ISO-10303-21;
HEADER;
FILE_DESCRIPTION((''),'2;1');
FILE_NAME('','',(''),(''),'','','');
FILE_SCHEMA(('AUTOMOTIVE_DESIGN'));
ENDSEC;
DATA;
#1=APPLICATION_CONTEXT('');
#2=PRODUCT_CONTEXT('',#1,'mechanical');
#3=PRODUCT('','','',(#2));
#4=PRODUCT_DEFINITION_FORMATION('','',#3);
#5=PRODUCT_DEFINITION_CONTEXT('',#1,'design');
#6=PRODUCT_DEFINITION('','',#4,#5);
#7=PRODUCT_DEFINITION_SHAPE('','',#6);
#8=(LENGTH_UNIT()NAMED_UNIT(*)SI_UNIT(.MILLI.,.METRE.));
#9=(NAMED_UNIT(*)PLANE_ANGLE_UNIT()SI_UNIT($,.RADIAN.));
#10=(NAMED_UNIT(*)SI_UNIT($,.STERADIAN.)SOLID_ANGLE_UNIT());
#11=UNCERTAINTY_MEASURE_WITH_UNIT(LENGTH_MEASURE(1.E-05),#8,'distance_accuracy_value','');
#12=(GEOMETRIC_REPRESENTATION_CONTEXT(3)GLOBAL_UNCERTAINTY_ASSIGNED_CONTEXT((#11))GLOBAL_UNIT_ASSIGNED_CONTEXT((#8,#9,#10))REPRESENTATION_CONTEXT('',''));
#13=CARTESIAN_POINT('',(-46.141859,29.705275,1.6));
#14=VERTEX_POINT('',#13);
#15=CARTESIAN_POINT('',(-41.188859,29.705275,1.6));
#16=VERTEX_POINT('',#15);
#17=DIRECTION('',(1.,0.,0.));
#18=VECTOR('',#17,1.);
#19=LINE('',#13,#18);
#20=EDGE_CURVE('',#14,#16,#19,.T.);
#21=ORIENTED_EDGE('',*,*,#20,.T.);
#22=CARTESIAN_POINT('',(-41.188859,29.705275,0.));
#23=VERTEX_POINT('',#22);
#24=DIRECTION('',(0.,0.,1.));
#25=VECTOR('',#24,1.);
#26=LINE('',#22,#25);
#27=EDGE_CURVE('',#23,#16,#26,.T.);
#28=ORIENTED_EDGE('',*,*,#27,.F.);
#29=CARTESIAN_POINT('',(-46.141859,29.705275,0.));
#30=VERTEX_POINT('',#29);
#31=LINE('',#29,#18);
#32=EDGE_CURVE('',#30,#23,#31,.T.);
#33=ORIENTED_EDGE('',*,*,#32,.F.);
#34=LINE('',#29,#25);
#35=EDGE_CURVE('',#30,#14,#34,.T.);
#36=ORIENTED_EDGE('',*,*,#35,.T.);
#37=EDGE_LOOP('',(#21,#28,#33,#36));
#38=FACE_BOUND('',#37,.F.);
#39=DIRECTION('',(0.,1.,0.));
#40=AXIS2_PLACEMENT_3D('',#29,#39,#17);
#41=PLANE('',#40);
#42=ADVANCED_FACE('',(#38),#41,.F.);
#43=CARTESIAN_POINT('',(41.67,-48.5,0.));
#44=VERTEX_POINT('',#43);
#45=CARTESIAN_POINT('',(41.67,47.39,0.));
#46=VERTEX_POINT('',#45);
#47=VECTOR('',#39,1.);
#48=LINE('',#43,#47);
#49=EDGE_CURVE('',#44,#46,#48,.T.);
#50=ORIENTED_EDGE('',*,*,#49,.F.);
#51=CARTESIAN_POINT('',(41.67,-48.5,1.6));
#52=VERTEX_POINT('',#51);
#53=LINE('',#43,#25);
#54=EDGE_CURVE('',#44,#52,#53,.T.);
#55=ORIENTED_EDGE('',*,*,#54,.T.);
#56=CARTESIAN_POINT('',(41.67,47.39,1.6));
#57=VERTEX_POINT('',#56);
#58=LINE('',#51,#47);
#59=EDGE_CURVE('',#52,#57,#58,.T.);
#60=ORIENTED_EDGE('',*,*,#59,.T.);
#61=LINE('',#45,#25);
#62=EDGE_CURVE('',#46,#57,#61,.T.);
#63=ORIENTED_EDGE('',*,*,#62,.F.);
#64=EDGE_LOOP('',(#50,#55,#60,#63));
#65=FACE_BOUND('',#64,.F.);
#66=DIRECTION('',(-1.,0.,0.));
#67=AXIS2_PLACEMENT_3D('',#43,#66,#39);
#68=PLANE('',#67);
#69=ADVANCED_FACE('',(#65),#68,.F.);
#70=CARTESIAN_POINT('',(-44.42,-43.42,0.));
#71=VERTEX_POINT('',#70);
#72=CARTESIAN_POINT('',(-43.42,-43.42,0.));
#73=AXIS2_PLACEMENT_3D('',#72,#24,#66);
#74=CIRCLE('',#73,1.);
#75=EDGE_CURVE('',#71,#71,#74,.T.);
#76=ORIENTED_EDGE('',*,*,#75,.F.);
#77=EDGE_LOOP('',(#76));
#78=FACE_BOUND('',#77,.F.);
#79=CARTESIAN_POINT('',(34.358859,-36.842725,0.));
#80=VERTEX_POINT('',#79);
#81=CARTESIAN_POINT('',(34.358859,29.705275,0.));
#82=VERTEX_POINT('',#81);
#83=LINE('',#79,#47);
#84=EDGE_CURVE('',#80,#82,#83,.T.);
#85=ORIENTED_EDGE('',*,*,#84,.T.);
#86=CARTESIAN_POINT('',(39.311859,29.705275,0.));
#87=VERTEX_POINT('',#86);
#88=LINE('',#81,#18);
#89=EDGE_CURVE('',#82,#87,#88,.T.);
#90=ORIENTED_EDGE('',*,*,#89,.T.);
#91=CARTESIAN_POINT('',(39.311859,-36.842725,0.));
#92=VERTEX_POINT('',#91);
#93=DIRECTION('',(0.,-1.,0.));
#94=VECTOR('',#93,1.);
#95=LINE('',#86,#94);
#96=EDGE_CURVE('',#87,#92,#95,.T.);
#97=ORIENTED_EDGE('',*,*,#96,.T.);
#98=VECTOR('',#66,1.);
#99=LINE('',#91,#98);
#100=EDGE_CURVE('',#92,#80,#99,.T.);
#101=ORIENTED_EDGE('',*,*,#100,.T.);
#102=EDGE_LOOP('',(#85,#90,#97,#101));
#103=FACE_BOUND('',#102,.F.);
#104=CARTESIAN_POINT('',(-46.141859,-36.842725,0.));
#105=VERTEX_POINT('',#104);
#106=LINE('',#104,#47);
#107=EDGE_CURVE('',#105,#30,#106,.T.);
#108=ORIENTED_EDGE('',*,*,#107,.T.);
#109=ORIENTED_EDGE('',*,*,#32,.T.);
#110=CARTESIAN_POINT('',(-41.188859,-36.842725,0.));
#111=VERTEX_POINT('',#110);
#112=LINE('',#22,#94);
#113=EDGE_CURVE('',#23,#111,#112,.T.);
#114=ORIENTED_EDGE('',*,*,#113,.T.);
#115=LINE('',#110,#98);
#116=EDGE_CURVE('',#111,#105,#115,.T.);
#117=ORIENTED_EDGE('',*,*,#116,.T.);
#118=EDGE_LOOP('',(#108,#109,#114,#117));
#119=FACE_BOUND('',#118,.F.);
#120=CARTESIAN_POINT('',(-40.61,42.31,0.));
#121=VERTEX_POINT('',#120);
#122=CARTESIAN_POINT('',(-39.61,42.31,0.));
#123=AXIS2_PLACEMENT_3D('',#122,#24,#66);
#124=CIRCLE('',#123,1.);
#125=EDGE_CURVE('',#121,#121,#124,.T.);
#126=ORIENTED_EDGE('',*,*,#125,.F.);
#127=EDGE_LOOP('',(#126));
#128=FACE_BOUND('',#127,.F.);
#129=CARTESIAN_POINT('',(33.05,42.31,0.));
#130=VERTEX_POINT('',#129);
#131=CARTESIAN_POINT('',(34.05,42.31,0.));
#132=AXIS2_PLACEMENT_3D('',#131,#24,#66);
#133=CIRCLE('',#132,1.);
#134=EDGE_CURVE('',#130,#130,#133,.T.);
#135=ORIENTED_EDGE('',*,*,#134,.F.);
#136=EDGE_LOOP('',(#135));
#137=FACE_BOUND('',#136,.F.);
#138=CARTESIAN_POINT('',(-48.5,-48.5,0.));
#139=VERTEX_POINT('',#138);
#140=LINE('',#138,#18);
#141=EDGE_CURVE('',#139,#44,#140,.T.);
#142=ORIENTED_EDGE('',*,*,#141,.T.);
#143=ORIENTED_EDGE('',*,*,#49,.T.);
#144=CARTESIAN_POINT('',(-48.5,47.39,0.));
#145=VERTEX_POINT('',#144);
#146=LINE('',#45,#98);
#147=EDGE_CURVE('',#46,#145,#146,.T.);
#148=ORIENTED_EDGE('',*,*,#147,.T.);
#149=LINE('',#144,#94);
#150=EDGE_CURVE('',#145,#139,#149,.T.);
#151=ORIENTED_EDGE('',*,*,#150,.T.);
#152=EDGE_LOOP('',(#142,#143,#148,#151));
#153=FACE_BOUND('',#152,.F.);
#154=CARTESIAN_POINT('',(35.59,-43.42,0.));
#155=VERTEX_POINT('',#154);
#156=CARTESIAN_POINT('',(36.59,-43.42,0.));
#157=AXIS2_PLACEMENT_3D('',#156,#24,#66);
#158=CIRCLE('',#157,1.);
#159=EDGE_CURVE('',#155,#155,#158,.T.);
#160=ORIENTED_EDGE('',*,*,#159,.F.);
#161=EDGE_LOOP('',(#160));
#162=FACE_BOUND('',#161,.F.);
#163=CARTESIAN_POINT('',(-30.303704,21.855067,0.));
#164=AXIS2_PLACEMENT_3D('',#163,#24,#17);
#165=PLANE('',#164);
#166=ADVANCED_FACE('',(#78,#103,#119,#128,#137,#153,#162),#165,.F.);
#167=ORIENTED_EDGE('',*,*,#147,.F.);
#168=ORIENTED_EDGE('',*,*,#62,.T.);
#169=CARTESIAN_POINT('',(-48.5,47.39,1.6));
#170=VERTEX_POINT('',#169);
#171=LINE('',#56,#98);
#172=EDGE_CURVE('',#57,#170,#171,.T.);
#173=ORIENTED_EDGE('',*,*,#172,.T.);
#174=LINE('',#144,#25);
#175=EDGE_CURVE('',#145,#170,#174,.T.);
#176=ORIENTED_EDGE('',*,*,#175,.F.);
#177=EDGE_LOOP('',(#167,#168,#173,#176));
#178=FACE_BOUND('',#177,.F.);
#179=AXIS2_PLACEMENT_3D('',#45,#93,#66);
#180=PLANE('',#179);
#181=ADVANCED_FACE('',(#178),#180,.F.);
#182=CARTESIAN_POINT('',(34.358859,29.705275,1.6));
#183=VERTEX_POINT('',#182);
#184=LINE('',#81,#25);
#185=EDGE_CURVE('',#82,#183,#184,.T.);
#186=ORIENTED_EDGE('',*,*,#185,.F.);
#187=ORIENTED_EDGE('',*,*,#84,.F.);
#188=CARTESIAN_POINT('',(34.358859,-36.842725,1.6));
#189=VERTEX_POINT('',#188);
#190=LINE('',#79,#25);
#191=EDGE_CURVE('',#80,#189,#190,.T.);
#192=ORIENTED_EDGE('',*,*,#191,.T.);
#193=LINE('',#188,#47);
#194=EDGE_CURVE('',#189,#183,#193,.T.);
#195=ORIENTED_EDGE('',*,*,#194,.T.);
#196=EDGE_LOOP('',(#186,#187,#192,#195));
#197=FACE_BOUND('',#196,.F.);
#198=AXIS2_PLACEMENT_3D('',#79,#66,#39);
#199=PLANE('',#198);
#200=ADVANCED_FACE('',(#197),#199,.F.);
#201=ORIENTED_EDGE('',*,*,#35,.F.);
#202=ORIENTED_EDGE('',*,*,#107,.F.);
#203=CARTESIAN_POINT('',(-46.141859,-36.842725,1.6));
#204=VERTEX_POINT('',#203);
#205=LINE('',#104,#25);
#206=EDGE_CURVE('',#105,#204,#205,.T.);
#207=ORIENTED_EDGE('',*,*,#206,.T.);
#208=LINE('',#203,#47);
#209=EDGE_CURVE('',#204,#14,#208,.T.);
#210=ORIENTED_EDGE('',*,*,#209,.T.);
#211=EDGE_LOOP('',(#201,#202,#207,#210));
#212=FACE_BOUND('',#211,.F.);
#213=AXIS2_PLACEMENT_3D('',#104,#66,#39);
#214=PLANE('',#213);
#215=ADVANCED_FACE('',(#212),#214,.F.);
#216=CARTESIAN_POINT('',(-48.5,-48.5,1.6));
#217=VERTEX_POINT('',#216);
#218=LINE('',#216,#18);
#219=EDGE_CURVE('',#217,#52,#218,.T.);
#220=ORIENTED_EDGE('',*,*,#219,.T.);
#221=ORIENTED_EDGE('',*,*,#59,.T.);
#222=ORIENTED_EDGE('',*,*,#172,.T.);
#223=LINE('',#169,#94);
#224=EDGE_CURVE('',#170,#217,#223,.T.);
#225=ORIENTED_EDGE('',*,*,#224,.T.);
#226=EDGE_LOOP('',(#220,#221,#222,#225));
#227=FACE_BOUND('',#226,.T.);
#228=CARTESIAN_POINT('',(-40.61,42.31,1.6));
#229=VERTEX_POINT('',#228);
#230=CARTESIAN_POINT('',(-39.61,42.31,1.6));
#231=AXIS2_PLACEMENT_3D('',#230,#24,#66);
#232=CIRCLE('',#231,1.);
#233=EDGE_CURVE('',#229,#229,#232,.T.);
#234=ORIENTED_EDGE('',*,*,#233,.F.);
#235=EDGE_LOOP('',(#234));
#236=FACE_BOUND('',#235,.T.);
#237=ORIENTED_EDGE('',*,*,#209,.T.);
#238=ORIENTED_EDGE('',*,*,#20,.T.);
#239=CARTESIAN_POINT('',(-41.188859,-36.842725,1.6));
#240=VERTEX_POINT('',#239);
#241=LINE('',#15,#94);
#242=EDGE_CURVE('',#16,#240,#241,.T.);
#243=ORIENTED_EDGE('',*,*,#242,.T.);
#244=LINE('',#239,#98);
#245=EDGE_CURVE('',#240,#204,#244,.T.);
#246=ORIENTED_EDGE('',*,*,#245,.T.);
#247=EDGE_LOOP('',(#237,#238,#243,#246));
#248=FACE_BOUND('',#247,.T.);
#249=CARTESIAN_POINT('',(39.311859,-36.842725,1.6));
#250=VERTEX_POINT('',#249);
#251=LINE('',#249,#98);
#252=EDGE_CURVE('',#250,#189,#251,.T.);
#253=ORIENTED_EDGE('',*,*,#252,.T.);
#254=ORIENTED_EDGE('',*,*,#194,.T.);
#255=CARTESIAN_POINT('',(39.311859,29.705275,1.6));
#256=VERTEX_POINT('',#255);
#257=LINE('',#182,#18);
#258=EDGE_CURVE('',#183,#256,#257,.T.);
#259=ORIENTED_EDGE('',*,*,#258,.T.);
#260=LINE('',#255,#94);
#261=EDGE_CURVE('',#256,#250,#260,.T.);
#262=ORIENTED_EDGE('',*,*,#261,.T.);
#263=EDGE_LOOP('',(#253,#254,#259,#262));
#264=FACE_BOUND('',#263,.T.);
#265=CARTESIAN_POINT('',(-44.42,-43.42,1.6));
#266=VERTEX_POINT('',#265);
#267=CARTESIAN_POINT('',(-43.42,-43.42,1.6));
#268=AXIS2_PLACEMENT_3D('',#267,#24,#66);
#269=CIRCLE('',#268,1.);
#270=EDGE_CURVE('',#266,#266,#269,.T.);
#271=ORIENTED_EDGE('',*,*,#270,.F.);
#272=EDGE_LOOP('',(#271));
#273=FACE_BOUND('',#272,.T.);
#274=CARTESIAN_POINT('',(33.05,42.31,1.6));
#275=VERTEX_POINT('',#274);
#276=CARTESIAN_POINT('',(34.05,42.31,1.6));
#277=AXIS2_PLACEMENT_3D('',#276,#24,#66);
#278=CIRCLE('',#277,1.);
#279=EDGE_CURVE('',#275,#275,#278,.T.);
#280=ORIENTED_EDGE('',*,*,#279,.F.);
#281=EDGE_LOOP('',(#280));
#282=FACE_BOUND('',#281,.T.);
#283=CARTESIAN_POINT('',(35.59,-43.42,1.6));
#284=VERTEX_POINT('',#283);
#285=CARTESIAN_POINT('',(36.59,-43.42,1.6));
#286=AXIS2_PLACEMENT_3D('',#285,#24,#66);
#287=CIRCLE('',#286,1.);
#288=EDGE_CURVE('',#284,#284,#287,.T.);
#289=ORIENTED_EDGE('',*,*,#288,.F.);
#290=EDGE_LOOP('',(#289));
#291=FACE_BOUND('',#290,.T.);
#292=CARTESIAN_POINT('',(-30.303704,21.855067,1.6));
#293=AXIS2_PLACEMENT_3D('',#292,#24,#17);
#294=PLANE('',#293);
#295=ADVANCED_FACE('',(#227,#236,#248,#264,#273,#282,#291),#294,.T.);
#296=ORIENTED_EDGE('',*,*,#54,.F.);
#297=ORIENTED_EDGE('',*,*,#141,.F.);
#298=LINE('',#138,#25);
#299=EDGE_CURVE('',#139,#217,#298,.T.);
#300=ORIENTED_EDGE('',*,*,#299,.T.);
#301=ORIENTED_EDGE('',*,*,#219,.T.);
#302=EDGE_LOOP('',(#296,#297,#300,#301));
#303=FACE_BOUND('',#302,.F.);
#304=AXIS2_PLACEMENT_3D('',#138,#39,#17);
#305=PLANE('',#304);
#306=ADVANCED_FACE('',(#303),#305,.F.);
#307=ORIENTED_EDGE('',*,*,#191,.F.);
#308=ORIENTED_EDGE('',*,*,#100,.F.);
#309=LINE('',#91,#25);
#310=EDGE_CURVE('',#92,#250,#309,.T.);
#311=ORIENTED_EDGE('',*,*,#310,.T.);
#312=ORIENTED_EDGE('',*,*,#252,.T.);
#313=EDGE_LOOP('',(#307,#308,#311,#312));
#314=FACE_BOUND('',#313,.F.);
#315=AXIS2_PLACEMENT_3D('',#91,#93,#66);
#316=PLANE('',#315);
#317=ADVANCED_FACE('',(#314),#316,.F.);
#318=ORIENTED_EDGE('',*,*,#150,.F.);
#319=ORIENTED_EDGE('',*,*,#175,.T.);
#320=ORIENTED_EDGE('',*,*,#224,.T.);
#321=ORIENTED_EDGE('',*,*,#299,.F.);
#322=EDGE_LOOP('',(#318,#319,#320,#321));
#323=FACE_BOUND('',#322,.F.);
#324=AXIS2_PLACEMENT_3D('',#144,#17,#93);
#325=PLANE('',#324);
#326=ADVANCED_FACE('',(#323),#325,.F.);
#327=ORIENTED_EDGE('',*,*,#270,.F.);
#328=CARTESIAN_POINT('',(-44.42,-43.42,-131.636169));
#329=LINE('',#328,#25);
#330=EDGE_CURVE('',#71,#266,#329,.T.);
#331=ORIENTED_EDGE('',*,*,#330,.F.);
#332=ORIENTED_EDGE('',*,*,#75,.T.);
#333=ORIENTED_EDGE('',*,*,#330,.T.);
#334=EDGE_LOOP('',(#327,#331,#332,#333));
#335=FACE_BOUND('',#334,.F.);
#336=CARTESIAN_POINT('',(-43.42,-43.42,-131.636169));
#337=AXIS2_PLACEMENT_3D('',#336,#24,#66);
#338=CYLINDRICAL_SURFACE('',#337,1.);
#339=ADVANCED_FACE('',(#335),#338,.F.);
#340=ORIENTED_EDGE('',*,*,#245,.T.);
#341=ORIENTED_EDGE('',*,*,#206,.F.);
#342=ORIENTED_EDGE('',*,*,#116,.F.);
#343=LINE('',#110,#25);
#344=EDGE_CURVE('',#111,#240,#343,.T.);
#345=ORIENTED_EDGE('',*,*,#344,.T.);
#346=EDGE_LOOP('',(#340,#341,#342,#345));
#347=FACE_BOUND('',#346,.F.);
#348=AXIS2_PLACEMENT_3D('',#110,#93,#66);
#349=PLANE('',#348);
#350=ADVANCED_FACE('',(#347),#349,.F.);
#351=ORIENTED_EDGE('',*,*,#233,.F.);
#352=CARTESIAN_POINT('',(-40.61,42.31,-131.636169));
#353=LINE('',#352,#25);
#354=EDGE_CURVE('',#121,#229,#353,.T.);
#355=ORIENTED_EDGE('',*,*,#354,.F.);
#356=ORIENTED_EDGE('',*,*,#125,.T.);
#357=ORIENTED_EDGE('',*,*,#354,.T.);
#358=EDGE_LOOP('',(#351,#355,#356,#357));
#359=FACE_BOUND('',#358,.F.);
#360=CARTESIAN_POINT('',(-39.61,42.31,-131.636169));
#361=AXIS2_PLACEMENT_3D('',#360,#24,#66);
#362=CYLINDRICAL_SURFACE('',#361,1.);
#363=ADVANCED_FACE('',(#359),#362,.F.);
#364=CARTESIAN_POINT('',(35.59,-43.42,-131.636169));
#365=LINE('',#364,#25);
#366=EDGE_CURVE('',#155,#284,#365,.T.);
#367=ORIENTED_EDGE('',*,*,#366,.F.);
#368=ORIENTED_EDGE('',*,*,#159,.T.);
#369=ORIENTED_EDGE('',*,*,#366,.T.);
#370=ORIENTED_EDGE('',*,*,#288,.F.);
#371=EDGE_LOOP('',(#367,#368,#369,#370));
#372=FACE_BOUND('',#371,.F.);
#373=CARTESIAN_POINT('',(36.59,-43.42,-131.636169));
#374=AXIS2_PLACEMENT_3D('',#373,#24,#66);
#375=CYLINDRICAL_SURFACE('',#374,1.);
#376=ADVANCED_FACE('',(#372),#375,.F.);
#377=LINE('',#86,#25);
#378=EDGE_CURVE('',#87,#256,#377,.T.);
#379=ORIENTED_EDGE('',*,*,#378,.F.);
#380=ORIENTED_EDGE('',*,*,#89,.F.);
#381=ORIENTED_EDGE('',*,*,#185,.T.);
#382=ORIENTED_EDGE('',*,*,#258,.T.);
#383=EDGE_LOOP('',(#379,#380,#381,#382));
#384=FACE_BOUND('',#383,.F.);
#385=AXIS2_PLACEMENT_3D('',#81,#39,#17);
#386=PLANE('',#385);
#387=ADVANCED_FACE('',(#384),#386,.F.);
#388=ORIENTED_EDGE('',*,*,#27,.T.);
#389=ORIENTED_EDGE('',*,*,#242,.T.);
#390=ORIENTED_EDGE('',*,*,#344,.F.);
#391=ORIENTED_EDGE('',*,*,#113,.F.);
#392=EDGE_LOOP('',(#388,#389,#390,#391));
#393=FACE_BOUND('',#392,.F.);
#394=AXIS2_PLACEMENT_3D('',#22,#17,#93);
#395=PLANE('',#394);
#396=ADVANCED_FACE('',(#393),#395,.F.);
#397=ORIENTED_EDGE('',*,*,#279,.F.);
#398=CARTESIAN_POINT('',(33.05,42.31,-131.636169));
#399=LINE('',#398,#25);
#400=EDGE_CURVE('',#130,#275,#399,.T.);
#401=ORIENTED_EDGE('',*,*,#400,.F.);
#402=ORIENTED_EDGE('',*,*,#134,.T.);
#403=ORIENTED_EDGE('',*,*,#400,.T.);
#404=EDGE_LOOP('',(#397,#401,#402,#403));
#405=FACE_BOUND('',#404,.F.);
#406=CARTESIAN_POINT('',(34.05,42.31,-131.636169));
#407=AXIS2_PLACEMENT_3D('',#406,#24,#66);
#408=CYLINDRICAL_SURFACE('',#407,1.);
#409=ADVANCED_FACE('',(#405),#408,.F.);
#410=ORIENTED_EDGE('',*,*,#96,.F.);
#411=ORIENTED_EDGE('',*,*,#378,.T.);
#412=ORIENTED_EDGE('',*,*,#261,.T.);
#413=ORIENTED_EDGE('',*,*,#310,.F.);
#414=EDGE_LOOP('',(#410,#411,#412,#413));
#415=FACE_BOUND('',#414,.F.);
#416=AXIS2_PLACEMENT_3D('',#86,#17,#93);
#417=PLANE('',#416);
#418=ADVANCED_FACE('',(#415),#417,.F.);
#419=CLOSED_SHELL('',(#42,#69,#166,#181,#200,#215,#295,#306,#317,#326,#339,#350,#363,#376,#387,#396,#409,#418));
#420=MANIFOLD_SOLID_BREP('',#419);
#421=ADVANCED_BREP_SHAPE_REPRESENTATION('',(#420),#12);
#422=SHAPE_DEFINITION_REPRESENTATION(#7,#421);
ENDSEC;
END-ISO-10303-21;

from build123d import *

# Parameters (mm, degrees)
F1_DEPTH = 1.6
F2_D     = 2


with BuildPart() as f1:
    # F0 (on Top) → F1 (new body)
    with BuildSketch(Plane.XY):
        Polygon((-3.415, 47.39), (-48.5, 47.39), (-48.5, -0.555), (-46.141859144, -0.555), (-46.141859144, 29.7052749931), (-41.188859144, 29.7052749931), (-41.188859144, -0.555), (-3.415, -0.555), align=None)
        Polygon((41.67, 47.39), (-3.415, 47.39), (-3.415, -0.555), (34.358859144, -0.555), (34.358859144, 29.7052749931), (39.311859144, 29.7052749931), (39.311859144, -0.555), (41.67, -0.555), align=None)
        Polygon((-46.141859144, -0.555), (-48.5, -0.555), (-48.5, -48.5), (-3.415, -48.5), (-3.415, -0.555), (-41.188859144, -0.555), (-41.188859144, -36.8427250069), (-46.141859144, -36.8427250069), align=None)
        Polygon((34.358859144, -0.555), (-3.415, -0.555), (-3.415, -48.5), (41.67, -48.5), (41.67, -0.555), (39.311859144, -0.555), (39.311859144, -36.8427250069), (34.358859144, -36.8427250069), align=None)
    extrude(amount=F1_DEPTH)

    # F2 (through all)
    with Locations(Plane(origin=(0, 0, 0), x_dir=(1, 0, 0), z_dir=(0, 0, -1))):
        with Locations((-39.61, -42.31), (-43.42, 43.42), (36.59, 43.42), (34.05, -42.31)):
            Hole(F2_D / 2)


solid = f1.part
